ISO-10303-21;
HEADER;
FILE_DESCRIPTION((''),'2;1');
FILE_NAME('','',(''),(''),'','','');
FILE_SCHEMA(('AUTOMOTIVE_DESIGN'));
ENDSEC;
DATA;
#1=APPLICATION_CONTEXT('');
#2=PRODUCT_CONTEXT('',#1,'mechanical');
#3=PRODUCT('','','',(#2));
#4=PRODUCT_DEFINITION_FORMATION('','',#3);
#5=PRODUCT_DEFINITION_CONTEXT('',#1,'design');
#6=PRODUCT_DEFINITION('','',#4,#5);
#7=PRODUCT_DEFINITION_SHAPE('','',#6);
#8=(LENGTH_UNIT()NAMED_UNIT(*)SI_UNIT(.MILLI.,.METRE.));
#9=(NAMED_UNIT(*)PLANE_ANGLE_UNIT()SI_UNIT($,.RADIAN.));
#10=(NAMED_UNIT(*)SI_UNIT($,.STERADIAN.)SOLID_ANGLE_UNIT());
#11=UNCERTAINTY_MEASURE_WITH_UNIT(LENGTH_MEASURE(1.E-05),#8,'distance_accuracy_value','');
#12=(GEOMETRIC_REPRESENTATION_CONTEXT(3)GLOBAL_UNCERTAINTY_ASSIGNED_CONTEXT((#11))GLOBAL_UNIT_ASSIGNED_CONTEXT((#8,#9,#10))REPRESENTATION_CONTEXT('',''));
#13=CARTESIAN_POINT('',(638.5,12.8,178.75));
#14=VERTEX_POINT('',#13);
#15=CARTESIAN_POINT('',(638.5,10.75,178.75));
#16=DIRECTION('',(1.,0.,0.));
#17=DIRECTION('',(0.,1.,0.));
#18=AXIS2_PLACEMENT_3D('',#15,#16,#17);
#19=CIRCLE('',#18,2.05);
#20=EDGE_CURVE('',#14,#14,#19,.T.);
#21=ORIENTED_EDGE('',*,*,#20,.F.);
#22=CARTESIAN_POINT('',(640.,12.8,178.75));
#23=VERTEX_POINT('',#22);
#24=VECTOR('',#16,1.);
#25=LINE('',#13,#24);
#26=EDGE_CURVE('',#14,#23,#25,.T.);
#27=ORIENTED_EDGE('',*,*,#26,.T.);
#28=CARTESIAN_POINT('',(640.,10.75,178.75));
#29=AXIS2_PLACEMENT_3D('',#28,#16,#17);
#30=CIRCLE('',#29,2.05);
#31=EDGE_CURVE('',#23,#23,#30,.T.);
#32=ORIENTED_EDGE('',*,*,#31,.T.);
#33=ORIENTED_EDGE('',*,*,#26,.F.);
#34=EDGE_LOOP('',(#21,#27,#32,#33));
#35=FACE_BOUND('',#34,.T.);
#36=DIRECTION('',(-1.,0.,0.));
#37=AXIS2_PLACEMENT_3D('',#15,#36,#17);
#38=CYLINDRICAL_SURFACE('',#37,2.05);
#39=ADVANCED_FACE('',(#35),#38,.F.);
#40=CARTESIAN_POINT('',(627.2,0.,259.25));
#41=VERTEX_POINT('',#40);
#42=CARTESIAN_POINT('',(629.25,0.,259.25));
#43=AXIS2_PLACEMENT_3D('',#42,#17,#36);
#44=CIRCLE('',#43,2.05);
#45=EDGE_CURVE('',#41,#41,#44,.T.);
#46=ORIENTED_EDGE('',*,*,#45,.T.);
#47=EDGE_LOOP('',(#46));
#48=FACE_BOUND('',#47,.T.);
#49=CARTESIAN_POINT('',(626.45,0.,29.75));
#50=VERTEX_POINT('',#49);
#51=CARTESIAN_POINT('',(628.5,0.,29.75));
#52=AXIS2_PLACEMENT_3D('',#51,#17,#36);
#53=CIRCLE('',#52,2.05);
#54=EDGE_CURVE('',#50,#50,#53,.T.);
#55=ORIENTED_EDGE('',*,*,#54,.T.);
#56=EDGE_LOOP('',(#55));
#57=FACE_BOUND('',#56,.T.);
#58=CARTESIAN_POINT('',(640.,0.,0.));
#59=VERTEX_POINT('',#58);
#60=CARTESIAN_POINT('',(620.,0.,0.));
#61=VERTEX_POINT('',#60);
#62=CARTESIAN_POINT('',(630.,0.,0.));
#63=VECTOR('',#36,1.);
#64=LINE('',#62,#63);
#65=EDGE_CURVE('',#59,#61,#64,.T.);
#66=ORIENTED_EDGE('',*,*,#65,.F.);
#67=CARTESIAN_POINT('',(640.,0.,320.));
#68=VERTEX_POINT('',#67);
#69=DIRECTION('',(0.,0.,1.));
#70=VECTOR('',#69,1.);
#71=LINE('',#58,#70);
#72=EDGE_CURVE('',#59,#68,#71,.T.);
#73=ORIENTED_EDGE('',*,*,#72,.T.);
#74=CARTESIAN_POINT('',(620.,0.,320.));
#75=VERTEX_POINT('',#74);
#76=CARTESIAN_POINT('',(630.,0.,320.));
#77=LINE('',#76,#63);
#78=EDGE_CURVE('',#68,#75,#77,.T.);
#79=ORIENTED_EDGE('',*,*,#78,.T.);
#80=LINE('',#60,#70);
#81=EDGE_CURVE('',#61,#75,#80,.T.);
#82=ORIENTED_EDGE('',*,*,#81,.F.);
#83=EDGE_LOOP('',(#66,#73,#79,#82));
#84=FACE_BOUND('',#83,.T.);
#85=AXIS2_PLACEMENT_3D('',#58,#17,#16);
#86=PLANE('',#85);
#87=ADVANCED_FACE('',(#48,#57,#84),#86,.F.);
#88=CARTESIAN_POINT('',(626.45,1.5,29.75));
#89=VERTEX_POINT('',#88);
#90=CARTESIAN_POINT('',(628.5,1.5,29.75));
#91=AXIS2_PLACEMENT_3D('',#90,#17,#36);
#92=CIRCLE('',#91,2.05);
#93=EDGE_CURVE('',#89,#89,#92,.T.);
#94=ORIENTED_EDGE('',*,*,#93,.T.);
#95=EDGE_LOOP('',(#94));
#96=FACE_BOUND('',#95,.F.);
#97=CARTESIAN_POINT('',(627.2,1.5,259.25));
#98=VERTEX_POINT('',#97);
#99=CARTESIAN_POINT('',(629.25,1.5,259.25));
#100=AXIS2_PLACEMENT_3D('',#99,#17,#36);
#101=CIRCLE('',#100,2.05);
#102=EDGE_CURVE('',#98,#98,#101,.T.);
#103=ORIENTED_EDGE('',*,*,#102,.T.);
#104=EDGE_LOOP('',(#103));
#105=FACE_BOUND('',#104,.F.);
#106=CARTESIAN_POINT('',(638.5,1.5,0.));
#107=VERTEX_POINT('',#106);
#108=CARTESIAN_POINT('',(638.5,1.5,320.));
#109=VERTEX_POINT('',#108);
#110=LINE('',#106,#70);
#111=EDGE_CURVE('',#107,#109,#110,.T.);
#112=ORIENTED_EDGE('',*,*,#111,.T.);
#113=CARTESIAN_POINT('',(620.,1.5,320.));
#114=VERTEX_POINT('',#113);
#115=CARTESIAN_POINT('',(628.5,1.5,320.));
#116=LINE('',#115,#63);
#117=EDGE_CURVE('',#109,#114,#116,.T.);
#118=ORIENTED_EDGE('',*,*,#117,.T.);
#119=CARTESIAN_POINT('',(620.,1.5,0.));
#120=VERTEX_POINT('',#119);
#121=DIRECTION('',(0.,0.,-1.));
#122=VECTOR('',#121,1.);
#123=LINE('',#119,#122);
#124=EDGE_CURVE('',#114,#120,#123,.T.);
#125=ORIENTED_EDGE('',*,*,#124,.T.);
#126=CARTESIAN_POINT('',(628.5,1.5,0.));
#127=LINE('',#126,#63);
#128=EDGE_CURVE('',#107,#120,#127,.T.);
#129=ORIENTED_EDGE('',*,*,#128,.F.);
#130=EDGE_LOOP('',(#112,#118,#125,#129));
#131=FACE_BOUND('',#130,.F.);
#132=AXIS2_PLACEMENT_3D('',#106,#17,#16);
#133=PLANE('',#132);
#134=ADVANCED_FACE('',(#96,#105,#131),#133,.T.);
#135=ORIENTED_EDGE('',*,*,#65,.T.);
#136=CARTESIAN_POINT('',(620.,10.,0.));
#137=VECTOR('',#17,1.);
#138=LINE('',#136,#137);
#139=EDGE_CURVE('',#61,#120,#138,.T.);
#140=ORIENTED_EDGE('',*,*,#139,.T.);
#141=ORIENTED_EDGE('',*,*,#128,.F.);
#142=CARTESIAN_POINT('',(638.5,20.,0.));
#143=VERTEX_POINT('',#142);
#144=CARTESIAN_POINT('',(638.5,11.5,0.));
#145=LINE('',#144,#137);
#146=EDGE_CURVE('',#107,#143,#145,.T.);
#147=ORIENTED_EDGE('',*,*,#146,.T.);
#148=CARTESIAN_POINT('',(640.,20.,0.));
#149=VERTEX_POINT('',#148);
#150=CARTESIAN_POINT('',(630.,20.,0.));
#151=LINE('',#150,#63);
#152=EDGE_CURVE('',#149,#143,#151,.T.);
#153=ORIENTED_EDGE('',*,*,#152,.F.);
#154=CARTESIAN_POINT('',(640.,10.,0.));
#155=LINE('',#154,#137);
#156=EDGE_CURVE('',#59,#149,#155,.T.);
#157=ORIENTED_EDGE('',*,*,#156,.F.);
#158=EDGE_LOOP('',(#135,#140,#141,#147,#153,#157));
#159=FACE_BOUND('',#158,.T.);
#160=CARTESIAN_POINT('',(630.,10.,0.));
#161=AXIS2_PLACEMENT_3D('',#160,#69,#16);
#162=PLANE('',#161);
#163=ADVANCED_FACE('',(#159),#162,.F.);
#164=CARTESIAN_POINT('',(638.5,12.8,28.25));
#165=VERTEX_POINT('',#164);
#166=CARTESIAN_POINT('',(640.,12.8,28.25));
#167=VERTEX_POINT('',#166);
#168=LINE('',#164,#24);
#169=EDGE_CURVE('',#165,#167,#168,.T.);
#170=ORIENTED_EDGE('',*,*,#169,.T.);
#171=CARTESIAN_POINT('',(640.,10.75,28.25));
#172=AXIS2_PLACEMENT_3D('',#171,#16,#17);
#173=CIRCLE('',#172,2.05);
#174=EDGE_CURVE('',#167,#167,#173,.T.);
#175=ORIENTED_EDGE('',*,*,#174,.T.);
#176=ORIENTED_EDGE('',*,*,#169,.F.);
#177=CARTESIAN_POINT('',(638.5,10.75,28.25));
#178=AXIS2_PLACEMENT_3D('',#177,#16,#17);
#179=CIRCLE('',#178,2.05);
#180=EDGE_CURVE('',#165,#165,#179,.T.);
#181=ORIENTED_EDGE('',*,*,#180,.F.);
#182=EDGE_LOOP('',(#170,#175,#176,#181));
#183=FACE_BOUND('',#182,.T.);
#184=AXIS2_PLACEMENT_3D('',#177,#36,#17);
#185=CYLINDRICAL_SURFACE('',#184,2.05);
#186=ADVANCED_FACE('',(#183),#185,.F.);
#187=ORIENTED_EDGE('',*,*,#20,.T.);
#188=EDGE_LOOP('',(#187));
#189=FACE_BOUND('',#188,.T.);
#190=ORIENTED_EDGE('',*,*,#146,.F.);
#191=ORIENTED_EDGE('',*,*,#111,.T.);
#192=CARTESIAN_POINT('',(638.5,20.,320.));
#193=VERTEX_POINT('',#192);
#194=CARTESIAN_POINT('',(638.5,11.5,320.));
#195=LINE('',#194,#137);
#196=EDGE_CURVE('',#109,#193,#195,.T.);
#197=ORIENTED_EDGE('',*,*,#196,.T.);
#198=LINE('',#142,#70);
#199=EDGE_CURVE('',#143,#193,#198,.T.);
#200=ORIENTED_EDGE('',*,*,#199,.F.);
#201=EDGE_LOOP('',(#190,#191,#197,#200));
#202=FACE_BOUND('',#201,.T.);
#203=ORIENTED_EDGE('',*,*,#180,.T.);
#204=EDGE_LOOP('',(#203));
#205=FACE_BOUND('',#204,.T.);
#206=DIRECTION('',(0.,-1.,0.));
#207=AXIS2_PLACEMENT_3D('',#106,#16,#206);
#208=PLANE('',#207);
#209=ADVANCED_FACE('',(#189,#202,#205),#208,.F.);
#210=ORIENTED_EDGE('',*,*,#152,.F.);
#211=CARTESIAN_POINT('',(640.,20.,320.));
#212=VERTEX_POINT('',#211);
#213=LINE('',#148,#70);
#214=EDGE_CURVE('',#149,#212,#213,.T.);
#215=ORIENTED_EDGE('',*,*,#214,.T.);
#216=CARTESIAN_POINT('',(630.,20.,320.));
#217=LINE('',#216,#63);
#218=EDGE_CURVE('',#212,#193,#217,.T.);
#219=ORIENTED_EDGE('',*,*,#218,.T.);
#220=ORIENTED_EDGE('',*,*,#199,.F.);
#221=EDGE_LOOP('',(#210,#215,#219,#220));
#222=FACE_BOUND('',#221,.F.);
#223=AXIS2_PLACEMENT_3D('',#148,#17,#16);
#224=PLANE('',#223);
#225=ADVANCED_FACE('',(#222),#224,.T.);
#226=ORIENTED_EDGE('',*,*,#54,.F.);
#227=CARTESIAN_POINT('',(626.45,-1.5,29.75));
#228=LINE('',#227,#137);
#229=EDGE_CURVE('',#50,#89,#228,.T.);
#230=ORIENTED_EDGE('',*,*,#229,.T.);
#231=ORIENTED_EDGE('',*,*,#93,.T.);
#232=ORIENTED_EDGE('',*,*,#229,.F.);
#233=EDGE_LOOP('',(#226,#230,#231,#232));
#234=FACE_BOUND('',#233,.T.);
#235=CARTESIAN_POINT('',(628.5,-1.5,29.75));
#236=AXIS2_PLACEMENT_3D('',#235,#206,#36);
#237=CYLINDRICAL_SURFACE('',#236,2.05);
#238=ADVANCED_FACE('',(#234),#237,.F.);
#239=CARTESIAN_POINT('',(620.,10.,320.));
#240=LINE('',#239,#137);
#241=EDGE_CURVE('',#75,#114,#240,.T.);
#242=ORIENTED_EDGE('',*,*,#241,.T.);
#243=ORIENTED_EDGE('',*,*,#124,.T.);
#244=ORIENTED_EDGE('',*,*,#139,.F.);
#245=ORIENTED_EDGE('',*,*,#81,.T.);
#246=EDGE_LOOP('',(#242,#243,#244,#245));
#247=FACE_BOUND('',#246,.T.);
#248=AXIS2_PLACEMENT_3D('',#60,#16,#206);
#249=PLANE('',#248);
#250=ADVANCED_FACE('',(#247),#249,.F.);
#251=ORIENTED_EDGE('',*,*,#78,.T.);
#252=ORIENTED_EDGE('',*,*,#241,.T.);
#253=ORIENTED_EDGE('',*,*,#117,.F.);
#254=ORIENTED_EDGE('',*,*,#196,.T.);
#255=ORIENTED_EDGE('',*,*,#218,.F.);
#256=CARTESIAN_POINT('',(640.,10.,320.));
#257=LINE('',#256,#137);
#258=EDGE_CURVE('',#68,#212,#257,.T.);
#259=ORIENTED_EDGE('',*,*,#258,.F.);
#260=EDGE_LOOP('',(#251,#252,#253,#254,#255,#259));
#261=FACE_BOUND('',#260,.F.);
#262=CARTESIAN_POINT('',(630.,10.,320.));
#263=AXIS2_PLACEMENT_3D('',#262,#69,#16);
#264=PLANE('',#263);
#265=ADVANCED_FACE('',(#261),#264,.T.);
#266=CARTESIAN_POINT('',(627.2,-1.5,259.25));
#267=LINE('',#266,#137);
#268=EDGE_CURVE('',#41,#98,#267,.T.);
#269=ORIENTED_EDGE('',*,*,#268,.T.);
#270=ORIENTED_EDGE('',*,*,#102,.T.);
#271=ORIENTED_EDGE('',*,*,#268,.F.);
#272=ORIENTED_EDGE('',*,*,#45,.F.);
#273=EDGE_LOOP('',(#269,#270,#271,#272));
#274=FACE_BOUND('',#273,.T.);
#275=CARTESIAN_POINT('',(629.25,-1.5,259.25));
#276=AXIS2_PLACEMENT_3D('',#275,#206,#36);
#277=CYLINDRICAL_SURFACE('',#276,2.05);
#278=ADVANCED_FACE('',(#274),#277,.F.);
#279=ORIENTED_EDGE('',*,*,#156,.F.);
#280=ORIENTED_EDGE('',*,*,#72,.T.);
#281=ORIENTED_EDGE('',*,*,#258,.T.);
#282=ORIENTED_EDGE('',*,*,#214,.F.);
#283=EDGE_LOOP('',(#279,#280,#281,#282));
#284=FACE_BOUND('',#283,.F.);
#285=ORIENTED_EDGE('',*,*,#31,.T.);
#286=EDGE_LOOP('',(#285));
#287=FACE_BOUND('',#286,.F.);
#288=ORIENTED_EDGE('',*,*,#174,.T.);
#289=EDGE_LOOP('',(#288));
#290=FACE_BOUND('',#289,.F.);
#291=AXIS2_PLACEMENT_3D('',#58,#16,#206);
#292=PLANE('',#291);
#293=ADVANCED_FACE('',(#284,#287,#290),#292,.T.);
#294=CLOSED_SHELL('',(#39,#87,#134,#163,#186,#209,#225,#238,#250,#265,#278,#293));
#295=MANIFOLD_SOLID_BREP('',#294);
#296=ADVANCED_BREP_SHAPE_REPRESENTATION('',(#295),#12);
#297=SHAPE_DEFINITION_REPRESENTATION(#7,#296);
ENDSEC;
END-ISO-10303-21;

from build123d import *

# Parameters (mm, degrees)
BOX001_W      = 20
BOX001_H      = 20
BOX001_DEPTH  = 320
BOX_W         = 20
BOX_H         = 20
BOX_DEPTH     = 320
SKETCH005_R   = 2.05
HOLE_DEPTH    = 1.501
SKETCH011_R   = 2.05
HOLE006_DEPTH = 1.501
SKETCH013_R   = 2.05
HOLE008_DEPTH = 21.501


with BuildPart() as cut015:
    # Box001 → Box001 (new body)
    with BuildSketch(Plane(origin=(1.5, 1.5, 0), x_dir=(1, 0, 0), z_dir=(0, 0, 1))):
        with Locations((10, 10)):
            Rectangle(BOX001_W, BOX001_H)
    extrude(amount=BOX001_DEPTH)


with BuildPart() as vertical_front_left_body:
    # Box → Box (new body)
    with BuildSketch(Plane.XY):
        with Locations((10, 10)):
            Rectangle(BOX_W, BOX_H)
    extrude(amount=BOX_DEPTH)

    # Cut001: cut Cut015
    add(cut015.part, mode=Mode.SUBTRACT)

    # Sketch005 → Hole (cut, through all)
    with BuildSketch(Plane.YZ.offset(1.5)):
        with Locations((10.75, 28.25)):
            Circle(SKETCH005_R)
    extrude(amount=-HOLE_DEPTH, mode=Mode.SUBTRACT)

    # Sketch011 → Hole006 (cut, through all)
    with BuildSketch(Plane.YZ.offset(1.5)):
        with Locations((10.75, 178.75)):
            Circle(SKETCH011_R)
    extrude(amount=-HOLE006_DEPTH, mode=Mode.SUBTRACT)

    # Sketch013 → Hole008 (cut, through all)
    with BuildSketch(Plane.XZ.offset(1.5)):
        with Locations((10.75, 259.25)):
            Circle(SKETCH013_R)
        with Locations((11.5, 29.75)):
            Circle(SKETCH013_R)
    extrude(amount=-HOLE008_DEPTH, mode=Mode.SUBTRACT)


with BuildPart() as vertical_front_left_mirror:
    # Part__Mirroring002: instance of vertical_front_left_body
    add(vertical_front_left_body.part.mirror(Plane(origin=(0, 0, 0), x_dir=(0, -1, 0), z_dir=(1, 0, 0))))


with BuildPart() as vertical_front_left_mirror_1:
    # Part__Mirroring002 placement: moved
    add(vertical_front_left_mirror.part.moved(Location((640, 0, 0))))


solid = vertical_front_left_mirror_1.part
